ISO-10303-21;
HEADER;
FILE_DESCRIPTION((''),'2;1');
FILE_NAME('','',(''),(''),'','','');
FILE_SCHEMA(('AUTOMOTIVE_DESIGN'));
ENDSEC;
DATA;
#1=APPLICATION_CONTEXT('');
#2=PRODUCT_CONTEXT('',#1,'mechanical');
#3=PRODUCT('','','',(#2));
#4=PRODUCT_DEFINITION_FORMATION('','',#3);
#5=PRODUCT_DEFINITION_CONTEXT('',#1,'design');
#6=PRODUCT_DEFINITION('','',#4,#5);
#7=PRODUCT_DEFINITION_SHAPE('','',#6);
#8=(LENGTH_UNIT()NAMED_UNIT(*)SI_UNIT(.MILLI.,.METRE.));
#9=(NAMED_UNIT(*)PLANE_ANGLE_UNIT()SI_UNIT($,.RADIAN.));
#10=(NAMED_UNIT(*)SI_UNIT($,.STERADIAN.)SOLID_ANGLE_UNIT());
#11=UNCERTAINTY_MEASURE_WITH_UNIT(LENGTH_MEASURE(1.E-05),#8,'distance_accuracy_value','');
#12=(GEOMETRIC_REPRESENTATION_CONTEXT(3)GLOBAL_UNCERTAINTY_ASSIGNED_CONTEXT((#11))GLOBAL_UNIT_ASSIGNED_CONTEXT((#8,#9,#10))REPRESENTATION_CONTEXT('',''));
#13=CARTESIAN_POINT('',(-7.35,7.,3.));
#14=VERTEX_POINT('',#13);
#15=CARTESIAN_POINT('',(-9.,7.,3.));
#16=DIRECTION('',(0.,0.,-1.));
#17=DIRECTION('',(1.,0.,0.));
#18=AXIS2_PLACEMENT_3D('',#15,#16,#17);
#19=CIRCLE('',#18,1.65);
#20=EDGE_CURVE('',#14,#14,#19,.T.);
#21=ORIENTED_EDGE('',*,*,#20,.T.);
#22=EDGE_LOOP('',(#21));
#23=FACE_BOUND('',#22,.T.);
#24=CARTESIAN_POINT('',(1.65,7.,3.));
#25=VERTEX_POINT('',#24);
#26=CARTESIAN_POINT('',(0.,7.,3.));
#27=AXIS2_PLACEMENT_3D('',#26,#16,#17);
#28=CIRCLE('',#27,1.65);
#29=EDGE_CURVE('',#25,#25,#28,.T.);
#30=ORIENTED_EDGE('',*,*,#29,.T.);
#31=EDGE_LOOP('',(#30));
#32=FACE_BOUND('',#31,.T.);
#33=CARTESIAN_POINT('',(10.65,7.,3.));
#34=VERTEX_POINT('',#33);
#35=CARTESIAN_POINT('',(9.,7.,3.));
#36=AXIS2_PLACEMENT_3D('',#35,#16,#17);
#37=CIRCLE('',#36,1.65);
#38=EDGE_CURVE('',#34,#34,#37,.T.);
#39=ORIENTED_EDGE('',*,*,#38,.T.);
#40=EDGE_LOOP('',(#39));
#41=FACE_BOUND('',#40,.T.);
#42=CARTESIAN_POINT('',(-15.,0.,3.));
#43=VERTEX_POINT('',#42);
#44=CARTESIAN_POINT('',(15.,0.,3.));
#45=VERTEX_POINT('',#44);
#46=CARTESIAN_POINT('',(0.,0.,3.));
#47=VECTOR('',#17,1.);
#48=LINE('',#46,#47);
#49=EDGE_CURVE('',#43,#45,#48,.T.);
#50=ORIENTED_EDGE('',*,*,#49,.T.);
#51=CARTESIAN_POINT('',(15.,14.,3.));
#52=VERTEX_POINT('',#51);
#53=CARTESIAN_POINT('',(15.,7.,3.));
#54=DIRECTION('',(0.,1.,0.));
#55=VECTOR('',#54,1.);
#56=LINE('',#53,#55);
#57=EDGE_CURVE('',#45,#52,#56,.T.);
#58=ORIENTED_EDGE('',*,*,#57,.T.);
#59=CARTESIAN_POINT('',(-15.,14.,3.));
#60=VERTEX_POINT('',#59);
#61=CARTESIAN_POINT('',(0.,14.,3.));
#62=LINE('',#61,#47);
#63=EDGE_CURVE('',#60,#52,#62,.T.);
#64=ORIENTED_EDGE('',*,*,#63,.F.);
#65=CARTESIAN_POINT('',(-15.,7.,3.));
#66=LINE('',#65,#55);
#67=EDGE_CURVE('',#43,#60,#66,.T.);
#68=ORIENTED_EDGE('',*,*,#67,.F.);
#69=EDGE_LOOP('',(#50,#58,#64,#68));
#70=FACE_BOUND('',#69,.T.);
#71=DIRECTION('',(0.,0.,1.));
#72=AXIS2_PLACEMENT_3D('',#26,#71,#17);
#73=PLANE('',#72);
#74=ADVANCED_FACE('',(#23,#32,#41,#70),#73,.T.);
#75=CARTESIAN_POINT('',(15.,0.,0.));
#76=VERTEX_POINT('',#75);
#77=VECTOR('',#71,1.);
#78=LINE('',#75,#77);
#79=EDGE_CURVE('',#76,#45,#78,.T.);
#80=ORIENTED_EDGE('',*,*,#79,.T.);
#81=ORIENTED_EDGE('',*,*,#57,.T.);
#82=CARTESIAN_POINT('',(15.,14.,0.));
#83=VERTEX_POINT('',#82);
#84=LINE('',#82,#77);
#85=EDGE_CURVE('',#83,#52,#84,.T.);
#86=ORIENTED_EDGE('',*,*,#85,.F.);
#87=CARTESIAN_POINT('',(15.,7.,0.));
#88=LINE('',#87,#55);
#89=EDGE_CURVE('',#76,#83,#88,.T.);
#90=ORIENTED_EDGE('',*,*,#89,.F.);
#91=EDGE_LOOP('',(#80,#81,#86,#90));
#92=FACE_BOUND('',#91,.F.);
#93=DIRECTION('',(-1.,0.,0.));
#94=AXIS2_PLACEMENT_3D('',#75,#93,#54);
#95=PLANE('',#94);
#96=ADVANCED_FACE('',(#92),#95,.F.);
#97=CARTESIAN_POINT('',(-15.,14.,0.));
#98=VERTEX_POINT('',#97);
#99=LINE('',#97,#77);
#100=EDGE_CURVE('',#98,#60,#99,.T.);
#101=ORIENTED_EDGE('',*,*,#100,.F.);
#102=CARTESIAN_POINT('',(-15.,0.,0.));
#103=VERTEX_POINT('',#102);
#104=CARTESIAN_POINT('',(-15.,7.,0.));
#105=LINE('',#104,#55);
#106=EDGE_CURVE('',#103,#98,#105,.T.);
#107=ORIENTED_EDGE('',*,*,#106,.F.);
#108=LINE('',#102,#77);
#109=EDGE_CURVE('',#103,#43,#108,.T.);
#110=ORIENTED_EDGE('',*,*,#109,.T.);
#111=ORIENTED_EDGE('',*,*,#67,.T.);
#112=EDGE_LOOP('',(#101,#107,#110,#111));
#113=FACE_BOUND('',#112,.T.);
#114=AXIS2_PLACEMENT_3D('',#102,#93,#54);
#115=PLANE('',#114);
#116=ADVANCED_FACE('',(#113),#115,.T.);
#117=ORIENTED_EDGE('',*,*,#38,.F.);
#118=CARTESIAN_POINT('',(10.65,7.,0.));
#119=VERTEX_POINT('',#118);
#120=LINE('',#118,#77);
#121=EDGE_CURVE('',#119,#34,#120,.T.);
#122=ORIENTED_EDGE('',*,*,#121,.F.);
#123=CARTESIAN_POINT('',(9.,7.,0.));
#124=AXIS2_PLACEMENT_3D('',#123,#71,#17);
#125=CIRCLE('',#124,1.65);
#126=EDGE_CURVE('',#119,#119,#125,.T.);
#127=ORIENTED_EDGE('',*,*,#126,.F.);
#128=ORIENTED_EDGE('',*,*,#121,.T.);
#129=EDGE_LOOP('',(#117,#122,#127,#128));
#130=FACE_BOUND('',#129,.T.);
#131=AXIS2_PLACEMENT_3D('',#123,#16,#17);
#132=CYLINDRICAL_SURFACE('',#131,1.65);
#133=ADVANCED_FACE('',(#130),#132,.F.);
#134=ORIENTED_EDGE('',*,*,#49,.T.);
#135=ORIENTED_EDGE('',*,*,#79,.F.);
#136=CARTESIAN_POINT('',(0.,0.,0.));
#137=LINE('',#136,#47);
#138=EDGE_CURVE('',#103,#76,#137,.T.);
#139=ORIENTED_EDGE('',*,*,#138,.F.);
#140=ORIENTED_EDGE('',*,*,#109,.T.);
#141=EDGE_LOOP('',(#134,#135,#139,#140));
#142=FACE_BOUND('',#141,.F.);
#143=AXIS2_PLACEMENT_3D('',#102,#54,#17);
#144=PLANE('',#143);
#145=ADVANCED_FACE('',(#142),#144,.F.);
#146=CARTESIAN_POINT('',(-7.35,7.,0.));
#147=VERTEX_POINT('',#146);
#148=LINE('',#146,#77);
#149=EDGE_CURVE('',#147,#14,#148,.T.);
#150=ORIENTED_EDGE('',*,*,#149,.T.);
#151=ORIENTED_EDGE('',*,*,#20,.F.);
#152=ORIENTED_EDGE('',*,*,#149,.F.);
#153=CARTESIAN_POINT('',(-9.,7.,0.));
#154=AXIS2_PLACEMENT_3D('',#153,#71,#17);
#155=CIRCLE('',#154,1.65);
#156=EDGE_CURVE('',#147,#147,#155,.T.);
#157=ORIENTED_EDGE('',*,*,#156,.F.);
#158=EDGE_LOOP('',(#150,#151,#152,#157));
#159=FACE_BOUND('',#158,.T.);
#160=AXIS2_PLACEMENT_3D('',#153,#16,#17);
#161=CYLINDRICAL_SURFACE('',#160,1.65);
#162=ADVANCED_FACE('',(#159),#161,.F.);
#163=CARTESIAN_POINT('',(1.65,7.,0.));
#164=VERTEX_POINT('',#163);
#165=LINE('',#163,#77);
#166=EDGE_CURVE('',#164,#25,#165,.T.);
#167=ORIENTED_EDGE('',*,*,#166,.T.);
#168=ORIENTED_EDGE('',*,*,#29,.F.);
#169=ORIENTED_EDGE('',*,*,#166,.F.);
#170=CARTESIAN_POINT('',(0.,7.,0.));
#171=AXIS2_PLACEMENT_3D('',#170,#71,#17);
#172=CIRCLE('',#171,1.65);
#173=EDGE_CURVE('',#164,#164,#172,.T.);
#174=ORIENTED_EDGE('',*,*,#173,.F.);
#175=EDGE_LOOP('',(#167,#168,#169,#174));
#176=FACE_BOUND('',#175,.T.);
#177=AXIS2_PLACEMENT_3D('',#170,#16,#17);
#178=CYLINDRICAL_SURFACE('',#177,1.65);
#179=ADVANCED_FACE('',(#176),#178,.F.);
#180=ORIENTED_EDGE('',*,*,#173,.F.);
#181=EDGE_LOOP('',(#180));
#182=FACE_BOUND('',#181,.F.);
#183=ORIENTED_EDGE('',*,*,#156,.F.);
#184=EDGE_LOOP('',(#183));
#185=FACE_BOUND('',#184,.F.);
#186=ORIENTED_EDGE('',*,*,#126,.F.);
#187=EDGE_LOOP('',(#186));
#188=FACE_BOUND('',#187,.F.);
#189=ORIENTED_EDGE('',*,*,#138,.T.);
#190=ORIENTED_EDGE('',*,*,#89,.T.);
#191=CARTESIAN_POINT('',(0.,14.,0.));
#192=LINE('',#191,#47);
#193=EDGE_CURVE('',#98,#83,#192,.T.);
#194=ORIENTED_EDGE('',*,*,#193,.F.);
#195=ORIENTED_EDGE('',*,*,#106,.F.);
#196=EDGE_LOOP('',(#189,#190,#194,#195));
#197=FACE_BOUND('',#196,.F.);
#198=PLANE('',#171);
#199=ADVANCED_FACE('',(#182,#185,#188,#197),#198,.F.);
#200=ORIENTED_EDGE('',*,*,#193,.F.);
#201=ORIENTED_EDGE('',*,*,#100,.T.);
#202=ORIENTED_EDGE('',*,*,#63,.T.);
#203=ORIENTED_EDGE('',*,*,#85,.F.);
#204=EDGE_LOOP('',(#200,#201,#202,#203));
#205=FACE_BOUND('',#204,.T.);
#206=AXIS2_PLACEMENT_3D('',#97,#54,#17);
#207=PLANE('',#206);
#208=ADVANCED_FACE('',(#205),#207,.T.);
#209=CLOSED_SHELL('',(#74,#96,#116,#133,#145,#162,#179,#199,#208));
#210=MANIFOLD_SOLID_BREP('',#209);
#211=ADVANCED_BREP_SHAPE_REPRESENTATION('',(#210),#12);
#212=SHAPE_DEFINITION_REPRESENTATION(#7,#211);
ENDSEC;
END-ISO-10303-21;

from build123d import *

# Parameters (mm, degrees)
CYLINDER001_R     = 1.65
CYLINDER001_DEPTH = 10
CYLINDER_R        = 1.65
CYLINDER_DEPTH    = 10
CYLINDER002_R     = 1.65
CYLINDER002_DEPTH = 10
BOX_W             = 30
BOX_H             = 14
BOX_DEPTH         = 3


with BuildPart() as cylinder001:
    # Cylinder001 → Cylinder001 (new body)
    with BuildSketch(Plane(origin=(-9, 7, 0), x_dir=(1, 0, 0), z_dir=(0, 0, 1))):
        Circle(CYLINDER001_R)
    extrude(amount=CYLINDER001_DEPTH)


with BuildPart() as cylinder:
    # Cylinder → Cylinder (new body)
    with BuildSketch(Plane(origin=(0, 7, 0), x_dir=(1, 0, 0), z_dir=(0, 0, 1))):
        Circle(CYLINDER_R)
    extrude(amount=CYLINDER_DEPTH)


with BuildPart() as fusion:
    # Cylinder002 → Cylinder002 (new body)
    with BuildSketch(Plane(origin=(9, 7, 0), x_dir=(1, 0, 0), z_dir=(0, 0, 1))):
        Circle(CYLINDER002_R)
    extrude(amount=CYLINDER002_DEPTH)

    # Fusion: union Cylinder001, Cylinder
    add(cylinder001.part)
    add(cylinder.part)


with BuildPart() as power_connector:
    # Box → Box (new body)
    with BuildSketch(Plane(origin=(-15, 0, 0), x_dir=(1, 0, 0), z_dir=(0, 0, 1))):
        with Locations((15, 7)):
            Rectangle(BOX_W, BOX_H)
    extrude(amount=BOX_DEPTH)

    # Cut: cut Fusion
    add(fusion.part, mode=Mode.SUBTRACT)


solid = power_connector.part
